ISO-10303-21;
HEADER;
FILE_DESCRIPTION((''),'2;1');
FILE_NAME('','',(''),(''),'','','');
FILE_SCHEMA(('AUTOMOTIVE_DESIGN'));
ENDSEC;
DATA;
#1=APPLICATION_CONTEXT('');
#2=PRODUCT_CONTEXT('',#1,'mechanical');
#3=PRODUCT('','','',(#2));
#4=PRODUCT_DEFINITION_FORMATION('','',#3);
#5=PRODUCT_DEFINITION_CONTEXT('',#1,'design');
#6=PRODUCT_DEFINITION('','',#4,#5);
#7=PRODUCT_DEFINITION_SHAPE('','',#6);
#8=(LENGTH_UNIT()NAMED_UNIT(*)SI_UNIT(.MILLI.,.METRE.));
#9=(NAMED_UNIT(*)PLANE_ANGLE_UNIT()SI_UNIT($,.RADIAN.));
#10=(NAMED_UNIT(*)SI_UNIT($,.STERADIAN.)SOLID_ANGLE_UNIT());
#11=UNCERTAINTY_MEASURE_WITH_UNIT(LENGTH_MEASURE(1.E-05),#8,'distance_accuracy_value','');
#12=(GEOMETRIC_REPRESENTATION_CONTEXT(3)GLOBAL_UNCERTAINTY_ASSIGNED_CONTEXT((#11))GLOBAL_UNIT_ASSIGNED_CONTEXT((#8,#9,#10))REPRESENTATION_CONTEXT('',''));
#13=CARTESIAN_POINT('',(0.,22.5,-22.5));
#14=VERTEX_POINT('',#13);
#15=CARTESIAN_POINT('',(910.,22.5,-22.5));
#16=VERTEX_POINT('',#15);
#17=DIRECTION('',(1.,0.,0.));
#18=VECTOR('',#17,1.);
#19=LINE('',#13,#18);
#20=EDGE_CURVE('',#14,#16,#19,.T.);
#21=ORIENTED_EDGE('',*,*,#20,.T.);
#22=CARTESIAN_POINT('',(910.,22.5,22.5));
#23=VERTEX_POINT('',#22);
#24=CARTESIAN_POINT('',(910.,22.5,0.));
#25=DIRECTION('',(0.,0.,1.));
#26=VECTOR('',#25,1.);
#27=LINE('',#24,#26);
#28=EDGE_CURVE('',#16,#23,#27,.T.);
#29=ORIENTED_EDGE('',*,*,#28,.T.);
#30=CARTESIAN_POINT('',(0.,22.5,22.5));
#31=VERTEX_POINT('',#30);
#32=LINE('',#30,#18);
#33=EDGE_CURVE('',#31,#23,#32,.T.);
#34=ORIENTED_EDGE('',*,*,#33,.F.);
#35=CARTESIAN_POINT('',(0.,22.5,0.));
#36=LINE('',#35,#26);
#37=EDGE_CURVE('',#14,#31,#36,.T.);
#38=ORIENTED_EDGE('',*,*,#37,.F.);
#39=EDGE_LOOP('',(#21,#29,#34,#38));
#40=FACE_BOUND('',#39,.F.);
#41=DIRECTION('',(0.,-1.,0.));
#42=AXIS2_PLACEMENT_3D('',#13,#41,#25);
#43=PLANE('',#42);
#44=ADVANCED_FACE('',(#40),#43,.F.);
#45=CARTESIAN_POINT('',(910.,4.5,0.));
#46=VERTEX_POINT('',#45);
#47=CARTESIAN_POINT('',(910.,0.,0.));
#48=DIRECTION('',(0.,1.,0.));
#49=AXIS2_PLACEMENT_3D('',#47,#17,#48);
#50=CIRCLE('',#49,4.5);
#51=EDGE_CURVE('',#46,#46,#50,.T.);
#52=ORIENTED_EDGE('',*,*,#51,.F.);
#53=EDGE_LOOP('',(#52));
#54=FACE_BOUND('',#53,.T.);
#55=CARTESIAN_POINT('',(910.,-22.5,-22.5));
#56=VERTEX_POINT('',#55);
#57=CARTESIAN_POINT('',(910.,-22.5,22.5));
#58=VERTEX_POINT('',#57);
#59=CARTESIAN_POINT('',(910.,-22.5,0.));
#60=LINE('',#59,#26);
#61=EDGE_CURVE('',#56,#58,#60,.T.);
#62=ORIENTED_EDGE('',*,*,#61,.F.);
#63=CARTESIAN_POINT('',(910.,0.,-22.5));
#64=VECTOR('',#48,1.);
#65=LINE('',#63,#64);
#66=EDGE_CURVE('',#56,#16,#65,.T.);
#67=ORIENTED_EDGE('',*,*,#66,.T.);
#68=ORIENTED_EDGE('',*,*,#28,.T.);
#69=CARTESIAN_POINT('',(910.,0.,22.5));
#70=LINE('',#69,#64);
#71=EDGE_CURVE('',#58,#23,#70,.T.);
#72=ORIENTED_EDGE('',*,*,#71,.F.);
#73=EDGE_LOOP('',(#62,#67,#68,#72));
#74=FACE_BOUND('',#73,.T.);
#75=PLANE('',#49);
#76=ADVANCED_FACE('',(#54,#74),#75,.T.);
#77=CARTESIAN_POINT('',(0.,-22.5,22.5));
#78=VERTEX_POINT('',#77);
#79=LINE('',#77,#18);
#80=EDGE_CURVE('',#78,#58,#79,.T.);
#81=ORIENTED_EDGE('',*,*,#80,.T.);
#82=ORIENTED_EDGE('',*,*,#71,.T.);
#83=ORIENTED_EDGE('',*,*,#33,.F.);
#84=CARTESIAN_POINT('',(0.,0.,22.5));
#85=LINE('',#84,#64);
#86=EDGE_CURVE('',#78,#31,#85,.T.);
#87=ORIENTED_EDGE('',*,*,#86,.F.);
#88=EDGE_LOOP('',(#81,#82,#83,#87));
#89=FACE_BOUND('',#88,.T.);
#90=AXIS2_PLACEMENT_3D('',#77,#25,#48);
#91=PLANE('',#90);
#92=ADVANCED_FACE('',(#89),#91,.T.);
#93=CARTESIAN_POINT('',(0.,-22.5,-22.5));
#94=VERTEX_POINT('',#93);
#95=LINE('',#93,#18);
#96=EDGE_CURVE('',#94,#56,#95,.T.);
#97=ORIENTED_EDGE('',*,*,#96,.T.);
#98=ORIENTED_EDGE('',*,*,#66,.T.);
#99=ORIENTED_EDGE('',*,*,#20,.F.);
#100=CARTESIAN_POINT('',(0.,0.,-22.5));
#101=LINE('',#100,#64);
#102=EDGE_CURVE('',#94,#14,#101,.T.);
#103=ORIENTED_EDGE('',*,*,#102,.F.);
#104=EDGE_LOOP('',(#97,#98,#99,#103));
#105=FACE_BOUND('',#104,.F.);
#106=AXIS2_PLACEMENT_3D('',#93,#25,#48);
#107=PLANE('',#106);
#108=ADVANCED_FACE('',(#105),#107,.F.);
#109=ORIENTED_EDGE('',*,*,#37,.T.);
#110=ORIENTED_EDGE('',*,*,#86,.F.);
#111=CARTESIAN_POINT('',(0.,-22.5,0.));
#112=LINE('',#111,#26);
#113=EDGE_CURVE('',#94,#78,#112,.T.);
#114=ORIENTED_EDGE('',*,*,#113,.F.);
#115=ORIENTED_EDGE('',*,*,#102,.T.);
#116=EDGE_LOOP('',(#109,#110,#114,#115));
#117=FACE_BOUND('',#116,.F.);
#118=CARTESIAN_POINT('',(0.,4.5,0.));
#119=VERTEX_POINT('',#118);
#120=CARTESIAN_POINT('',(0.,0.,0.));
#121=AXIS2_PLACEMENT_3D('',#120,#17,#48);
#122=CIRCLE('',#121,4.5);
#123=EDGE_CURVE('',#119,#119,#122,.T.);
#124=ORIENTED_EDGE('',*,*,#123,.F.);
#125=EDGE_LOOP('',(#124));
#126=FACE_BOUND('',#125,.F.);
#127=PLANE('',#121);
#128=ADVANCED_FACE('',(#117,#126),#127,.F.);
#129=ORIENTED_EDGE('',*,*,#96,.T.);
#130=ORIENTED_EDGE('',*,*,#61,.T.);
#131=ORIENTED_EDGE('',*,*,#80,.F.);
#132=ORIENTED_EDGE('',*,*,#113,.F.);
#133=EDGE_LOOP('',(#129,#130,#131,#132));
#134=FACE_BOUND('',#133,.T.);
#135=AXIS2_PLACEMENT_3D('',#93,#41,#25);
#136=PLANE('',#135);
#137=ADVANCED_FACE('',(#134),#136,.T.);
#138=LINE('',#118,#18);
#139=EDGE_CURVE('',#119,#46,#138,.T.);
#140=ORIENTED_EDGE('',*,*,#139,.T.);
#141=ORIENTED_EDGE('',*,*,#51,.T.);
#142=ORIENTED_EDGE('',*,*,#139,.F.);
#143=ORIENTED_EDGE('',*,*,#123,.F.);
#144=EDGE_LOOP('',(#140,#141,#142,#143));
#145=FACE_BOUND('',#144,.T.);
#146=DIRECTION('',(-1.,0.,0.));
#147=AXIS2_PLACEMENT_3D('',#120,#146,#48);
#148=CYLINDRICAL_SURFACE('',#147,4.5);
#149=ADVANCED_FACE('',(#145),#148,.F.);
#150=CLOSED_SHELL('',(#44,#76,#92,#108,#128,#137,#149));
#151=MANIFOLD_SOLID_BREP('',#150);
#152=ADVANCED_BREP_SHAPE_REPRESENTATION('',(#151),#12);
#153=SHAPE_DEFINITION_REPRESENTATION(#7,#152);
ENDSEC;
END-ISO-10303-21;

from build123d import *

# Parameters (mm, degrees)
F0_W     = 45
F0_H     = 45
F0_R     = 4.5
F1_DEPTH = 910


with BuildPart() as f1:
    # F0 (on Right) → F1 (new body)
    with BuildSketch(Plane.YZ):
        Rectangle(F0_W, F0_H)
        Circle(F0_R, mode=Mode.SUBTRACT)
    extrude(amount=F1_DEPTH)


solid = f1.part
